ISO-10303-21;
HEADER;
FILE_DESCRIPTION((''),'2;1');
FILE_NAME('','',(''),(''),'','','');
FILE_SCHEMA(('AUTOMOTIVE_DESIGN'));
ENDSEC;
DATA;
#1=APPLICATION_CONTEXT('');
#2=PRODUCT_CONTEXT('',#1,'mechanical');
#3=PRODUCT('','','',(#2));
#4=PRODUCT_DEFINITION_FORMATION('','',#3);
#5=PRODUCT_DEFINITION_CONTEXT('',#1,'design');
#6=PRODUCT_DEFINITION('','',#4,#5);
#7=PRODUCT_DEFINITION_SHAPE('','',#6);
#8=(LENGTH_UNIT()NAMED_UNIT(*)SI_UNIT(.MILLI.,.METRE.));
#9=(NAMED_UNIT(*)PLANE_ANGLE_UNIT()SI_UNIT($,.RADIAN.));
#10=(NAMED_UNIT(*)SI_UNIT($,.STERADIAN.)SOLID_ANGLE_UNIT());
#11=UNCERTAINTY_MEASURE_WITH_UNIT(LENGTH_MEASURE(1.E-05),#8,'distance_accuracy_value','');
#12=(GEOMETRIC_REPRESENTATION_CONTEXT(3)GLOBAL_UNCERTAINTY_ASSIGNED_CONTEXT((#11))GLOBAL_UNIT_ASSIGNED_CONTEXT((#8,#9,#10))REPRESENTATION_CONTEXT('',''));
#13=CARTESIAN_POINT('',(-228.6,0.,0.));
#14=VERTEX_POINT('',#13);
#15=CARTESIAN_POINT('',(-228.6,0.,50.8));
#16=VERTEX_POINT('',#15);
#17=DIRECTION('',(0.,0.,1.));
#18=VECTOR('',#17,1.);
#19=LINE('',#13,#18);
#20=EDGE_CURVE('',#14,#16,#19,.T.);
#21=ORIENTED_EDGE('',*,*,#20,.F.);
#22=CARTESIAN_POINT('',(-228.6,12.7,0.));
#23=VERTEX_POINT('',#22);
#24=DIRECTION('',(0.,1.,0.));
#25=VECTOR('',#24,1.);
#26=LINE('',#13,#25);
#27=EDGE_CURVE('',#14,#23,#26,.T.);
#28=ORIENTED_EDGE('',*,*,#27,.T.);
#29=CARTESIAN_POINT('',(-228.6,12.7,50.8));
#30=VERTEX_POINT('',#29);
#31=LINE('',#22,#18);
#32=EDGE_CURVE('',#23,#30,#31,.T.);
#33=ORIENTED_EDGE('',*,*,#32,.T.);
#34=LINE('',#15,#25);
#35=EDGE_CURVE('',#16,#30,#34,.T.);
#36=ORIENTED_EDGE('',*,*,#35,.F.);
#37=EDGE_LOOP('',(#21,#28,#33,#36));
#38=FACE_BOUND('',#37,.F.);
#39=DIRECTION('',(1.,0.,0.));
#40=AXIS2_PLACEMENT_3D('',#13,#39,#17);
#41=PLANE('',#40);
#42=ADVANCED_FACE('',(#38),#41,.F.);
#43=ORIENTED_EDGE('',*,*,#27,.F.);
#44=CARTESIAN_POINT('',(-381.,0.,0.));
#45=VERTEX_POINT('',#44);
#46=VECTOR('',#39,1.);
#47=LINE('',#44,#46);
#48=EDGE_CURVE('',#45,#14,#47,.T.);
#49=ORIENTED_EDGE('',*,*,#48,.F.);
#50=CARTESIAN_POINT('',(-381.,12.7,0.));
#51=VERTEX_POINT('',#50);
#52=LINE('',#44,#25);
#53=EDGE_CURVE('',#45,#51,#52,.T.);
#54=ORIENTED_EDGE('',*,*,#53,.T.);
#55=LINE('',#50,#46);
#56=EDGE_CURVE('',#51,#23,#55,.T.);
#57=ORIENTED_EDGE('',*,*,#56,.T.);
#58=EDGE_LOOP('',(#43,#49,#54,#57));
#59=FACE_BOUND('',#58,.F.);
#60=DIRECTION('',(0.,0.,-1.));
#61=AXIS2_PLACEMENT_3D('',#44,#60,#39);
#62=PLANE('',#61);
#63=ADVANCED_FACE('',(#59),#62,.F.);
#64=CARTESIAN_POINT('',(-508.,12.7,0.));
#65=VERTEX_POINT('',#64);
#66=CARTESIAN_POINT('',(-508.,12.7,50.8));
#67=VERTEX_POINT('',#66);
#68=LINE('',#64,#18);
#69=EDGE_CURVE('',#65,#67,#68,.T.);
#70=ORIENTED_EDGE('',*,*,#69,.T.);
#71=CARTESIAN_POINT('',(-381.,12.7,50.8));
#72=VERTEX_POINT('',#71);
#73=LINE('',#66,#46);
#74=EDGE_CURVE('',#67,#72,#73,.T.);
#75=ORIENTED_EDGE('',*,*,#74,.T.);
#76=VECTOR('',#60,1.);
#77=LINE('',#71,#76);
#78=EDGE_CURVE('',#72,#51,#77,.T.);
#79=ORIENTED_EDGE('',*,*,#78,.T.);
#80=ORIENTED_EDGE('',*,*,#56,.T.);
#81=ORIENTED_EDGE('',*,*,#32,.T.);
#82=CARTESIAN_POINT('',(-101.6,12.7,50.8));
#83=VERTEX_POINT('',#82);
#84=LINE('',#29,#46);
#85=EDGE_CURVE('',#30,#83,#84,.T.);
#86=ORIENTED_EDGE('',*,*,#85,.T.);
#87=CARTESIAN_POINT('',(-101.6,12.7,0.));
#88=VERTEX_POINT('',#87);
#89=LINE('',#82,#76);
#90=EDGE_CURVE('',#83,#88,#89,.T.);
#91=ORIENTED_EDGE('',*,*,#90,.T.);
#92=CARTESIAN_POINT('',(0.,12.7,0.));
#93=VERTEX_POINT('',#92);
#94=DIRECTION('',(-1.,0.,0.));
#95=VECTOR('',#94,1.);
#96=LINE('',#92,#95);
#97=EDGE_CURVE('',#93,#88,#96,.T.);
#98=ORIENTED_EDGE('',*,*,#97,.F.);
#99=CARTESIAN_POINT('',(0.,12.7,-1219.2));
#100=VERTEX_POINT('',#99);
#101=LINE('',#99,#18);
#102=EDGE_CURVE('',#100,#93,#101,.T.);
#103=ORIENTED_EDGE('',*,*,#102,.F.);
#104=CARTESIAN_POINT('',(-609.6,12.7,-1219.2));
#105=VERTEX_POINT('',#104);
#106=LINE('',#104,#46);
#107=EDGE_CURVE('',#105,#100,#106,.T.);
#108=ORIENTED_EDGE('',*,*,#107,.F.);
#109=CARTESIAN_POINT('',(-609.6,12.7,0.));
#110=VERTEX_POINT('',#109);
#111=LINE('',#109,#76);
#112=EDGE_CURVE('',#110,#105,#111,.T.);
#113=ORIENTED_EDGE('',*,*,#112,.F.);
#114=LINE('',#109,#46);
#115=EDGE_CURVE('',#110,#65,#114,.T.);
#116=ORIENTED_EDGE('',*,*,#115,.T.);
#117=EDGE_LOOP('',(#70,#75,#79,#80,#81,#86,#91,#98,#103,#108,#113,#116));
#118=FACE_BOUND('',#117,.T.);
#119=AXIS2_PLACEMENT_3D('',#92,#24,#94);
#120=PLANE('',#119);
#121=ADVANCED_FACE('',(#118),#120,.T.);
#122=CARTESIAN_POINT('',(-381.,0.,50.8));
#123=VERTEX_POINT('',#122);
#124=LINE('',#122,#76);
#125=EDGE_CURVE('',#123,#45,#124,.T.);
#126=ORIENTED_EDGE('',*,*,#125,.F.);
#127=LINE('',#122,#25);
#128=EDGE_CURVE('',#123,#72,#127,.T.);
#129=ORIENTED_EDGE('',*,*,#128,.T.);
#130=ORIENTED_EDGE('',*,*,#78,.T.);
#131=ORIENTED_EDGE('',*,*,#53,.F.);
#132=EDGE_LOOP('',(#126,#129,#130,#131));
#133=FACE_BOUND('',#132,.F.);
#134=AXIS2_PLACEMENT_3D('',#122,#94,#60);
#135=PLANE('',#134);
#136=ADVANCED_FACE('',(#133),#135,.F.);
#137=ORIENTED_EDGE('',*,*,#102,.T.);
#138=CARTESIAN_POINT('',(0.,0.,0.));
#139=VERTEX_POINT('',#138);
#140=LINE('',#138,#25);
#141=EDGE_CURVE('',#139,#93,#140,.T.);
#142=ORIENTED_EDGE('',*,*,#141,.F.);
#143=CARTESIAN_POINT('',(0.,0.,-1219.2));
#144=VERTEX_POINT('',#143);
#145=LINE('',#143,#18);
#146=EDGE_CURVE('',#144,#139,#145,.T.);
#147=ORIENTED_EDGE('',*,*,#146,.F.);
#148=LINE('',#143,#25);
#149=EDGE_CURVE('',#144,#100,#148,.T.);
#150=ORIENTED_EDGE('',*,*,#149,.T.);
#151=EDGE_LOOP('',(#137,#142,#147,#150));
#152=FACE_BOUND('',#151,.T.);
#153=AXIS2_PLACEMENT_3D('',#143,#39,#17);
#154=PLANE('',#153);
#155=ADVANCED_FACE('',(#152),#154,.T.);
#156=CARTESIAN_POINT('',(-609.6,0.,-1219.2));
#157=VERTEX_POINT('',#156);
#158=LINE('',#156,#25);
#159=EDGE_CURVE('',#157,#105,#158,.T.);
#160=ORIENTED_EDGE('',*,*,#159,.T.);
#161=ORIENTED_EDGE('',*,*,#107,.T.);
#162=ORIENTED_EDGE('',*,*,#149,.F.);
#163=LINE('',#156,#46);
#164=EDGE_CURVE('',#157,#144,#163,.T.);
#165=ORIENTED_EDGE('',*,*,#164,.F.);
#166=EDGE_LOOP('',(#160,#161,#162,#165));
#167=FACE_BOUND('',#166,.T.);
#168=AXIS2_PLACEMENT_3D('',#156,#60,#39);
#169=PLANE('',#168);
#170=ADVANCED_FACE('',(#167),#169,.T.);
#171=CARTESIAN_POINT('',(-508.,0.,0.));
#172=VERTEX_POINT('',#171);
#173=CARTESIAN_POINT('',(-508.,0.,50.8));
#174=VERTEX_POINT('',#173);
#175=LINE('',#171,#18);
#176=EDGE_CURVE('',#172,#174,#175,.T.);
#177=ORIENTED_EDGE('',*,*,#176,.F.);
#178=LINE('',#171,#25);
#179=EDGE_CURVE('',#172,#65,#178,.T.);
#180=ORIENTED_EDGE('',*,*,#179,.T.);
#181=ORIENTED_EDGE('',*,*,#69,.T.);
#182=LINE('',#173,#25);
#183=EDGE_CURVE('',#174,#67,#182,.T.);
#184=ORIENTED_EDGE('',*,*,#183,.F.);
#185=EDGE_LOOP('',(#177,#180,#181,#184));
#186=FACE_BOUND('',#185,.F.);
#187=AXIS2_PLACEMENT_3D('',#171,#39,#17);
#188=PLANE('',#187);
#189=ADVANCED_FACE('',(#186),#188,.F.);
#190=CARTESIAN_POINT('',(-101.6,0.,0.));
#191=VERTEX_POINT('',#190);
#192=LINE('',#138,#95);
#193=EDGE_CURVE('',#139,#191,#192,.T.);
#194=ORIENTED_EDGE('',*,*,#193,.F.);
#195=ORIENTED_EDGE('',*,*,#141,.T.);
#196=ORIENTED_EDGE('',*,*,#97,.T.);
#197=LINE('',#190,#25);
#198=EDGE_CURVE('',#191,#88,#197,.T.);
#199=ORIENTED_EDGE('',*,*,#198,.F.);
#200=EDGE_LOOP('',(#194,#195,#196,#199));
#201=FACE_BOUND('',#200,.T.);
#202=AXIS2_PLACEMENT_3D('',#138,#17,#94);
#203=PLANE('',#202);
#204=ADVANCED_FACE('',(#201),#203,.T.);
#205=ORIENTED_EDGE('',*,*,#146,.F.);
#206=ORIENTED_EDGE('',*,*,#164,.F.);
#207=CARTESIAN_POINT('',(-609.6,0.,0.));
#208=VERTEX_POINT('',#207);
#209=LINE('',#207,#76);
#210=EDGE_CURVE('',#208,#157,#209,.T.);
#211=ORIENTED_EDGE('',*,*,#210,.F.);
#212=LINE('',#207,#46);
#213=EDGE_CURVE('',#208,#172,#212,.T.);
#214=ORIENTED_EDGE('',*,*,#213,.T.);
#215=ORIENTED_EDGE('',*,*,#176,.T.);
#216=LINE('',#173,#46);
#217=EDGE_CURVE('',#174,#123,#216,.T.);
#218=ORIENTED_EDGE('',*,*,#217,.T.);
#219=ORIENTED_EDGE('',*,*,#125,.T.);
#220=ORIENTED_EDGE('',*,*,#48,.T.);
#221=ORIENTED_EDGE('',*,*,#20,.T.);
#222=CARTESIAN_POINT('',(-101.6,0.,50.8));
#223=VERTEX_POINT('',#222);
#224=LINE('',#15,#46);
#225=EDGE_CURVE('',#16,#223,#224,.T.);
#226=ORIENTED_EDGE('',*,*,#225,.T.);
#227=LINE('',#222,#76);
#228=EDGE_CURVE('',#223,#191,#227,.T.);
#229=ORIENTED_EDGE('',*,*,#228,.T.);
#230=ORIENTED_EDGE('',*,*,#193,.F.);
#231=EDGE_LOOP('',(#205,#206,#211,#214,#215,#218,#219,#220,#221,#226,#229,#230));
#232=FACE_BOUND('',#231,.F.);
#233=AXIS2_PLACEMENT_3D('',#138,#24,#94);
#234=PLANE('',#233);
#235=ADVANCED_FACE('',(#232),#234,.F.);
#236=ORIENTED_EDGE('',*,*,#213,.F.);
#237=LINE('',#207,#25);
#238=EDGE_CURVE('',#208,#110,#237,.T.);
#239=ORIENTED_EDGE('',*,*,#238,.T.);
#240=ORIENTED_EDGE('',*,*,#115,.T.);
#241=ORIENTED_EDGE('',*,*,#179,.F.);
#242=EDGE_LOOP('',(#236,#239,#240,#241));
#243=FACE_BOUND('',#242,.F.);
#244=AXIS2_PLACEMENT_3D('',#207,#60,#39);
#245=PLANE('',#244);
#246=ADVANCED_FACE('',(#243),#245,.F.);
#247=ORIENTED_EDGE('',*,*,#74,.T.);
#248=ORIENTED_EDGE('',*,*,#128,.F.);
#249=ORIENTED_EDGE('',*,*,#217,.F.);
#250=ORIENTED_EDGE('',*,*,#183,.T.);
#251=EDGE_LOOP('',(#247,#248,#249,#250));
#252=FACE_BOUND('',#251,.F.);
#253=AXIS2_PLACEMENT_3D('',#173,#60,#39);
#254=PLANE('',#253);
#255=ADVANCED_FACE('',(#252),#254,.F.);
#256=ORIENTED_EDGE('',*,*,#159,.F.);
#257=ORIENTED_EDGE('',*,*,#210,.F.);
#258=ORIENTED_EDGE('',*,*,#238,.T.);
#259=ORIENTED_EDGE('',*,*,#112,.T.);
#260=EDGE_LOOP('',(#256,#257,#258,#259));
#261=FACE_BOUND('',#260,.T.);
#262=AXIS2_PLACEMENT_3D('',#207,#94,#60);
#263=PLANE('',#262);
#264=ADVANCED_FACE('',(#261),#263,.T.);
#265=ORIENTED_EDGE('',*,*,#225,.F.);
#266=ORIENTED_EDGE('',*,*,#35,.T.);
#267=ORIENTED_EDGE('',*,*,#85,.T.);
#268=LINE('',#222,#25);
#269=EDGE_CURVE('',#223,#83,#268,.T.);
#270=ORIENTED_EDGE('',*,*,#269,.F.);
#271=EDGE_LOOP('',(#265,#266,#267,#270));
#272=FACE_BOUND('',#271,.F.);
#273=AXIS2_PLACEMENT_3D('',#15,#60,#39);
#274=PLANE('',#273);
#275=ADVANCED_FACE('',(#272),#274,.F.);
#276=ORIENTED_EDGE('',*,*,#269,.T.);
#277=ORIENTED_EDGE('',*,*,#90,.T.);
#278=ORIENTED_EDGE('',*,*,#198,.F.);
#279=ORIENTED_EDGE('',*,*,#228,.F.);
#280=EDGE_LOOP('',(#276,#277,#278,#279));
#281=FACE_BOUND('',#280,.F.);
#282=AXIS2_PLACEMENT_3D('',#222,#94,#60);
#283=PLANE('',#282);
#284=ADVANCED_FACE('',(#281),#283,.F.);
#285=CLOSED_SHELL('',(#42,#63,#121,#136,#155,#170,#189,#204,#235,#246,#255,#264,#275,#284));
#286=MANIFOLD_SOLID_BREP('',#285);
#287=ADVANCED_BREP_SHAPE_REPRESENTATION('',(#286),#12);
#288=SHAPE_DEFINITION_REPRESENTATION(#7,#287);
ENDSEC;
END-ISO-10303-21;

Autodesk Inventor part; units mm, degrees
ref_plane "YZ Plane" through (0, 0, 0) normal (1, 0, 0) x (0, 1, 0)
ref_plane "XZ Plane" through (0, 0, 0) normal (0, 1, 0) x (-1, 0, 0)
ref_plane "XY Plane" through (0, 0, 0) normal (0, 0, 1) x (1, 0, 0)
sketch "Sketch1" plane through (0, 0, 0) normal (0, 1, 0) x (-1, 0, 0)
  line L0 (609.6, 0) -> (609.6, -1219.2)
  line L1 (609.6, -1219.2) -> (0, -1219.2)
  line L2 (0, -1219.2) -> (0, 0)
  line L3 (609.6, 0) -> (508, 0)
  line L4 (508, 0) -> (508, 50.8)
  line L5 (508, 50.8) -> (381, 50.8)
  line L6 (381, 50.8) -> (381, 0)
  line L7 (381, 0) -> (228.6, 0)
  line L8 (228.6, 0) -> (228.6, 50.8)
  line L9 (228.6, 50.8) -> (101.6, 50.8)
  line L10 (101.6, 50.8) -> (101.6, 0)
  line L11 (508, 0) -> (609.6, 0)
  line L12 (0, 0) -> (101.6, 0)
  line L13 (228.6, 0) -> (381, 0)
  dimension "d0" = 1219.2
  dimension "d1" = 609.6
  dimension "d4" = 101.6
  dimension "d5" = 50.8
  dimension "d6" = 127
  dimension "d7" = 152.4
  dimension "d8" = 50.8
  dimension "d9" = 127
extrude "Extrusion1" add sketch "Sketch1" along normal blind 12.7
properties part number "Bottom" material "Wood (Birch)"
